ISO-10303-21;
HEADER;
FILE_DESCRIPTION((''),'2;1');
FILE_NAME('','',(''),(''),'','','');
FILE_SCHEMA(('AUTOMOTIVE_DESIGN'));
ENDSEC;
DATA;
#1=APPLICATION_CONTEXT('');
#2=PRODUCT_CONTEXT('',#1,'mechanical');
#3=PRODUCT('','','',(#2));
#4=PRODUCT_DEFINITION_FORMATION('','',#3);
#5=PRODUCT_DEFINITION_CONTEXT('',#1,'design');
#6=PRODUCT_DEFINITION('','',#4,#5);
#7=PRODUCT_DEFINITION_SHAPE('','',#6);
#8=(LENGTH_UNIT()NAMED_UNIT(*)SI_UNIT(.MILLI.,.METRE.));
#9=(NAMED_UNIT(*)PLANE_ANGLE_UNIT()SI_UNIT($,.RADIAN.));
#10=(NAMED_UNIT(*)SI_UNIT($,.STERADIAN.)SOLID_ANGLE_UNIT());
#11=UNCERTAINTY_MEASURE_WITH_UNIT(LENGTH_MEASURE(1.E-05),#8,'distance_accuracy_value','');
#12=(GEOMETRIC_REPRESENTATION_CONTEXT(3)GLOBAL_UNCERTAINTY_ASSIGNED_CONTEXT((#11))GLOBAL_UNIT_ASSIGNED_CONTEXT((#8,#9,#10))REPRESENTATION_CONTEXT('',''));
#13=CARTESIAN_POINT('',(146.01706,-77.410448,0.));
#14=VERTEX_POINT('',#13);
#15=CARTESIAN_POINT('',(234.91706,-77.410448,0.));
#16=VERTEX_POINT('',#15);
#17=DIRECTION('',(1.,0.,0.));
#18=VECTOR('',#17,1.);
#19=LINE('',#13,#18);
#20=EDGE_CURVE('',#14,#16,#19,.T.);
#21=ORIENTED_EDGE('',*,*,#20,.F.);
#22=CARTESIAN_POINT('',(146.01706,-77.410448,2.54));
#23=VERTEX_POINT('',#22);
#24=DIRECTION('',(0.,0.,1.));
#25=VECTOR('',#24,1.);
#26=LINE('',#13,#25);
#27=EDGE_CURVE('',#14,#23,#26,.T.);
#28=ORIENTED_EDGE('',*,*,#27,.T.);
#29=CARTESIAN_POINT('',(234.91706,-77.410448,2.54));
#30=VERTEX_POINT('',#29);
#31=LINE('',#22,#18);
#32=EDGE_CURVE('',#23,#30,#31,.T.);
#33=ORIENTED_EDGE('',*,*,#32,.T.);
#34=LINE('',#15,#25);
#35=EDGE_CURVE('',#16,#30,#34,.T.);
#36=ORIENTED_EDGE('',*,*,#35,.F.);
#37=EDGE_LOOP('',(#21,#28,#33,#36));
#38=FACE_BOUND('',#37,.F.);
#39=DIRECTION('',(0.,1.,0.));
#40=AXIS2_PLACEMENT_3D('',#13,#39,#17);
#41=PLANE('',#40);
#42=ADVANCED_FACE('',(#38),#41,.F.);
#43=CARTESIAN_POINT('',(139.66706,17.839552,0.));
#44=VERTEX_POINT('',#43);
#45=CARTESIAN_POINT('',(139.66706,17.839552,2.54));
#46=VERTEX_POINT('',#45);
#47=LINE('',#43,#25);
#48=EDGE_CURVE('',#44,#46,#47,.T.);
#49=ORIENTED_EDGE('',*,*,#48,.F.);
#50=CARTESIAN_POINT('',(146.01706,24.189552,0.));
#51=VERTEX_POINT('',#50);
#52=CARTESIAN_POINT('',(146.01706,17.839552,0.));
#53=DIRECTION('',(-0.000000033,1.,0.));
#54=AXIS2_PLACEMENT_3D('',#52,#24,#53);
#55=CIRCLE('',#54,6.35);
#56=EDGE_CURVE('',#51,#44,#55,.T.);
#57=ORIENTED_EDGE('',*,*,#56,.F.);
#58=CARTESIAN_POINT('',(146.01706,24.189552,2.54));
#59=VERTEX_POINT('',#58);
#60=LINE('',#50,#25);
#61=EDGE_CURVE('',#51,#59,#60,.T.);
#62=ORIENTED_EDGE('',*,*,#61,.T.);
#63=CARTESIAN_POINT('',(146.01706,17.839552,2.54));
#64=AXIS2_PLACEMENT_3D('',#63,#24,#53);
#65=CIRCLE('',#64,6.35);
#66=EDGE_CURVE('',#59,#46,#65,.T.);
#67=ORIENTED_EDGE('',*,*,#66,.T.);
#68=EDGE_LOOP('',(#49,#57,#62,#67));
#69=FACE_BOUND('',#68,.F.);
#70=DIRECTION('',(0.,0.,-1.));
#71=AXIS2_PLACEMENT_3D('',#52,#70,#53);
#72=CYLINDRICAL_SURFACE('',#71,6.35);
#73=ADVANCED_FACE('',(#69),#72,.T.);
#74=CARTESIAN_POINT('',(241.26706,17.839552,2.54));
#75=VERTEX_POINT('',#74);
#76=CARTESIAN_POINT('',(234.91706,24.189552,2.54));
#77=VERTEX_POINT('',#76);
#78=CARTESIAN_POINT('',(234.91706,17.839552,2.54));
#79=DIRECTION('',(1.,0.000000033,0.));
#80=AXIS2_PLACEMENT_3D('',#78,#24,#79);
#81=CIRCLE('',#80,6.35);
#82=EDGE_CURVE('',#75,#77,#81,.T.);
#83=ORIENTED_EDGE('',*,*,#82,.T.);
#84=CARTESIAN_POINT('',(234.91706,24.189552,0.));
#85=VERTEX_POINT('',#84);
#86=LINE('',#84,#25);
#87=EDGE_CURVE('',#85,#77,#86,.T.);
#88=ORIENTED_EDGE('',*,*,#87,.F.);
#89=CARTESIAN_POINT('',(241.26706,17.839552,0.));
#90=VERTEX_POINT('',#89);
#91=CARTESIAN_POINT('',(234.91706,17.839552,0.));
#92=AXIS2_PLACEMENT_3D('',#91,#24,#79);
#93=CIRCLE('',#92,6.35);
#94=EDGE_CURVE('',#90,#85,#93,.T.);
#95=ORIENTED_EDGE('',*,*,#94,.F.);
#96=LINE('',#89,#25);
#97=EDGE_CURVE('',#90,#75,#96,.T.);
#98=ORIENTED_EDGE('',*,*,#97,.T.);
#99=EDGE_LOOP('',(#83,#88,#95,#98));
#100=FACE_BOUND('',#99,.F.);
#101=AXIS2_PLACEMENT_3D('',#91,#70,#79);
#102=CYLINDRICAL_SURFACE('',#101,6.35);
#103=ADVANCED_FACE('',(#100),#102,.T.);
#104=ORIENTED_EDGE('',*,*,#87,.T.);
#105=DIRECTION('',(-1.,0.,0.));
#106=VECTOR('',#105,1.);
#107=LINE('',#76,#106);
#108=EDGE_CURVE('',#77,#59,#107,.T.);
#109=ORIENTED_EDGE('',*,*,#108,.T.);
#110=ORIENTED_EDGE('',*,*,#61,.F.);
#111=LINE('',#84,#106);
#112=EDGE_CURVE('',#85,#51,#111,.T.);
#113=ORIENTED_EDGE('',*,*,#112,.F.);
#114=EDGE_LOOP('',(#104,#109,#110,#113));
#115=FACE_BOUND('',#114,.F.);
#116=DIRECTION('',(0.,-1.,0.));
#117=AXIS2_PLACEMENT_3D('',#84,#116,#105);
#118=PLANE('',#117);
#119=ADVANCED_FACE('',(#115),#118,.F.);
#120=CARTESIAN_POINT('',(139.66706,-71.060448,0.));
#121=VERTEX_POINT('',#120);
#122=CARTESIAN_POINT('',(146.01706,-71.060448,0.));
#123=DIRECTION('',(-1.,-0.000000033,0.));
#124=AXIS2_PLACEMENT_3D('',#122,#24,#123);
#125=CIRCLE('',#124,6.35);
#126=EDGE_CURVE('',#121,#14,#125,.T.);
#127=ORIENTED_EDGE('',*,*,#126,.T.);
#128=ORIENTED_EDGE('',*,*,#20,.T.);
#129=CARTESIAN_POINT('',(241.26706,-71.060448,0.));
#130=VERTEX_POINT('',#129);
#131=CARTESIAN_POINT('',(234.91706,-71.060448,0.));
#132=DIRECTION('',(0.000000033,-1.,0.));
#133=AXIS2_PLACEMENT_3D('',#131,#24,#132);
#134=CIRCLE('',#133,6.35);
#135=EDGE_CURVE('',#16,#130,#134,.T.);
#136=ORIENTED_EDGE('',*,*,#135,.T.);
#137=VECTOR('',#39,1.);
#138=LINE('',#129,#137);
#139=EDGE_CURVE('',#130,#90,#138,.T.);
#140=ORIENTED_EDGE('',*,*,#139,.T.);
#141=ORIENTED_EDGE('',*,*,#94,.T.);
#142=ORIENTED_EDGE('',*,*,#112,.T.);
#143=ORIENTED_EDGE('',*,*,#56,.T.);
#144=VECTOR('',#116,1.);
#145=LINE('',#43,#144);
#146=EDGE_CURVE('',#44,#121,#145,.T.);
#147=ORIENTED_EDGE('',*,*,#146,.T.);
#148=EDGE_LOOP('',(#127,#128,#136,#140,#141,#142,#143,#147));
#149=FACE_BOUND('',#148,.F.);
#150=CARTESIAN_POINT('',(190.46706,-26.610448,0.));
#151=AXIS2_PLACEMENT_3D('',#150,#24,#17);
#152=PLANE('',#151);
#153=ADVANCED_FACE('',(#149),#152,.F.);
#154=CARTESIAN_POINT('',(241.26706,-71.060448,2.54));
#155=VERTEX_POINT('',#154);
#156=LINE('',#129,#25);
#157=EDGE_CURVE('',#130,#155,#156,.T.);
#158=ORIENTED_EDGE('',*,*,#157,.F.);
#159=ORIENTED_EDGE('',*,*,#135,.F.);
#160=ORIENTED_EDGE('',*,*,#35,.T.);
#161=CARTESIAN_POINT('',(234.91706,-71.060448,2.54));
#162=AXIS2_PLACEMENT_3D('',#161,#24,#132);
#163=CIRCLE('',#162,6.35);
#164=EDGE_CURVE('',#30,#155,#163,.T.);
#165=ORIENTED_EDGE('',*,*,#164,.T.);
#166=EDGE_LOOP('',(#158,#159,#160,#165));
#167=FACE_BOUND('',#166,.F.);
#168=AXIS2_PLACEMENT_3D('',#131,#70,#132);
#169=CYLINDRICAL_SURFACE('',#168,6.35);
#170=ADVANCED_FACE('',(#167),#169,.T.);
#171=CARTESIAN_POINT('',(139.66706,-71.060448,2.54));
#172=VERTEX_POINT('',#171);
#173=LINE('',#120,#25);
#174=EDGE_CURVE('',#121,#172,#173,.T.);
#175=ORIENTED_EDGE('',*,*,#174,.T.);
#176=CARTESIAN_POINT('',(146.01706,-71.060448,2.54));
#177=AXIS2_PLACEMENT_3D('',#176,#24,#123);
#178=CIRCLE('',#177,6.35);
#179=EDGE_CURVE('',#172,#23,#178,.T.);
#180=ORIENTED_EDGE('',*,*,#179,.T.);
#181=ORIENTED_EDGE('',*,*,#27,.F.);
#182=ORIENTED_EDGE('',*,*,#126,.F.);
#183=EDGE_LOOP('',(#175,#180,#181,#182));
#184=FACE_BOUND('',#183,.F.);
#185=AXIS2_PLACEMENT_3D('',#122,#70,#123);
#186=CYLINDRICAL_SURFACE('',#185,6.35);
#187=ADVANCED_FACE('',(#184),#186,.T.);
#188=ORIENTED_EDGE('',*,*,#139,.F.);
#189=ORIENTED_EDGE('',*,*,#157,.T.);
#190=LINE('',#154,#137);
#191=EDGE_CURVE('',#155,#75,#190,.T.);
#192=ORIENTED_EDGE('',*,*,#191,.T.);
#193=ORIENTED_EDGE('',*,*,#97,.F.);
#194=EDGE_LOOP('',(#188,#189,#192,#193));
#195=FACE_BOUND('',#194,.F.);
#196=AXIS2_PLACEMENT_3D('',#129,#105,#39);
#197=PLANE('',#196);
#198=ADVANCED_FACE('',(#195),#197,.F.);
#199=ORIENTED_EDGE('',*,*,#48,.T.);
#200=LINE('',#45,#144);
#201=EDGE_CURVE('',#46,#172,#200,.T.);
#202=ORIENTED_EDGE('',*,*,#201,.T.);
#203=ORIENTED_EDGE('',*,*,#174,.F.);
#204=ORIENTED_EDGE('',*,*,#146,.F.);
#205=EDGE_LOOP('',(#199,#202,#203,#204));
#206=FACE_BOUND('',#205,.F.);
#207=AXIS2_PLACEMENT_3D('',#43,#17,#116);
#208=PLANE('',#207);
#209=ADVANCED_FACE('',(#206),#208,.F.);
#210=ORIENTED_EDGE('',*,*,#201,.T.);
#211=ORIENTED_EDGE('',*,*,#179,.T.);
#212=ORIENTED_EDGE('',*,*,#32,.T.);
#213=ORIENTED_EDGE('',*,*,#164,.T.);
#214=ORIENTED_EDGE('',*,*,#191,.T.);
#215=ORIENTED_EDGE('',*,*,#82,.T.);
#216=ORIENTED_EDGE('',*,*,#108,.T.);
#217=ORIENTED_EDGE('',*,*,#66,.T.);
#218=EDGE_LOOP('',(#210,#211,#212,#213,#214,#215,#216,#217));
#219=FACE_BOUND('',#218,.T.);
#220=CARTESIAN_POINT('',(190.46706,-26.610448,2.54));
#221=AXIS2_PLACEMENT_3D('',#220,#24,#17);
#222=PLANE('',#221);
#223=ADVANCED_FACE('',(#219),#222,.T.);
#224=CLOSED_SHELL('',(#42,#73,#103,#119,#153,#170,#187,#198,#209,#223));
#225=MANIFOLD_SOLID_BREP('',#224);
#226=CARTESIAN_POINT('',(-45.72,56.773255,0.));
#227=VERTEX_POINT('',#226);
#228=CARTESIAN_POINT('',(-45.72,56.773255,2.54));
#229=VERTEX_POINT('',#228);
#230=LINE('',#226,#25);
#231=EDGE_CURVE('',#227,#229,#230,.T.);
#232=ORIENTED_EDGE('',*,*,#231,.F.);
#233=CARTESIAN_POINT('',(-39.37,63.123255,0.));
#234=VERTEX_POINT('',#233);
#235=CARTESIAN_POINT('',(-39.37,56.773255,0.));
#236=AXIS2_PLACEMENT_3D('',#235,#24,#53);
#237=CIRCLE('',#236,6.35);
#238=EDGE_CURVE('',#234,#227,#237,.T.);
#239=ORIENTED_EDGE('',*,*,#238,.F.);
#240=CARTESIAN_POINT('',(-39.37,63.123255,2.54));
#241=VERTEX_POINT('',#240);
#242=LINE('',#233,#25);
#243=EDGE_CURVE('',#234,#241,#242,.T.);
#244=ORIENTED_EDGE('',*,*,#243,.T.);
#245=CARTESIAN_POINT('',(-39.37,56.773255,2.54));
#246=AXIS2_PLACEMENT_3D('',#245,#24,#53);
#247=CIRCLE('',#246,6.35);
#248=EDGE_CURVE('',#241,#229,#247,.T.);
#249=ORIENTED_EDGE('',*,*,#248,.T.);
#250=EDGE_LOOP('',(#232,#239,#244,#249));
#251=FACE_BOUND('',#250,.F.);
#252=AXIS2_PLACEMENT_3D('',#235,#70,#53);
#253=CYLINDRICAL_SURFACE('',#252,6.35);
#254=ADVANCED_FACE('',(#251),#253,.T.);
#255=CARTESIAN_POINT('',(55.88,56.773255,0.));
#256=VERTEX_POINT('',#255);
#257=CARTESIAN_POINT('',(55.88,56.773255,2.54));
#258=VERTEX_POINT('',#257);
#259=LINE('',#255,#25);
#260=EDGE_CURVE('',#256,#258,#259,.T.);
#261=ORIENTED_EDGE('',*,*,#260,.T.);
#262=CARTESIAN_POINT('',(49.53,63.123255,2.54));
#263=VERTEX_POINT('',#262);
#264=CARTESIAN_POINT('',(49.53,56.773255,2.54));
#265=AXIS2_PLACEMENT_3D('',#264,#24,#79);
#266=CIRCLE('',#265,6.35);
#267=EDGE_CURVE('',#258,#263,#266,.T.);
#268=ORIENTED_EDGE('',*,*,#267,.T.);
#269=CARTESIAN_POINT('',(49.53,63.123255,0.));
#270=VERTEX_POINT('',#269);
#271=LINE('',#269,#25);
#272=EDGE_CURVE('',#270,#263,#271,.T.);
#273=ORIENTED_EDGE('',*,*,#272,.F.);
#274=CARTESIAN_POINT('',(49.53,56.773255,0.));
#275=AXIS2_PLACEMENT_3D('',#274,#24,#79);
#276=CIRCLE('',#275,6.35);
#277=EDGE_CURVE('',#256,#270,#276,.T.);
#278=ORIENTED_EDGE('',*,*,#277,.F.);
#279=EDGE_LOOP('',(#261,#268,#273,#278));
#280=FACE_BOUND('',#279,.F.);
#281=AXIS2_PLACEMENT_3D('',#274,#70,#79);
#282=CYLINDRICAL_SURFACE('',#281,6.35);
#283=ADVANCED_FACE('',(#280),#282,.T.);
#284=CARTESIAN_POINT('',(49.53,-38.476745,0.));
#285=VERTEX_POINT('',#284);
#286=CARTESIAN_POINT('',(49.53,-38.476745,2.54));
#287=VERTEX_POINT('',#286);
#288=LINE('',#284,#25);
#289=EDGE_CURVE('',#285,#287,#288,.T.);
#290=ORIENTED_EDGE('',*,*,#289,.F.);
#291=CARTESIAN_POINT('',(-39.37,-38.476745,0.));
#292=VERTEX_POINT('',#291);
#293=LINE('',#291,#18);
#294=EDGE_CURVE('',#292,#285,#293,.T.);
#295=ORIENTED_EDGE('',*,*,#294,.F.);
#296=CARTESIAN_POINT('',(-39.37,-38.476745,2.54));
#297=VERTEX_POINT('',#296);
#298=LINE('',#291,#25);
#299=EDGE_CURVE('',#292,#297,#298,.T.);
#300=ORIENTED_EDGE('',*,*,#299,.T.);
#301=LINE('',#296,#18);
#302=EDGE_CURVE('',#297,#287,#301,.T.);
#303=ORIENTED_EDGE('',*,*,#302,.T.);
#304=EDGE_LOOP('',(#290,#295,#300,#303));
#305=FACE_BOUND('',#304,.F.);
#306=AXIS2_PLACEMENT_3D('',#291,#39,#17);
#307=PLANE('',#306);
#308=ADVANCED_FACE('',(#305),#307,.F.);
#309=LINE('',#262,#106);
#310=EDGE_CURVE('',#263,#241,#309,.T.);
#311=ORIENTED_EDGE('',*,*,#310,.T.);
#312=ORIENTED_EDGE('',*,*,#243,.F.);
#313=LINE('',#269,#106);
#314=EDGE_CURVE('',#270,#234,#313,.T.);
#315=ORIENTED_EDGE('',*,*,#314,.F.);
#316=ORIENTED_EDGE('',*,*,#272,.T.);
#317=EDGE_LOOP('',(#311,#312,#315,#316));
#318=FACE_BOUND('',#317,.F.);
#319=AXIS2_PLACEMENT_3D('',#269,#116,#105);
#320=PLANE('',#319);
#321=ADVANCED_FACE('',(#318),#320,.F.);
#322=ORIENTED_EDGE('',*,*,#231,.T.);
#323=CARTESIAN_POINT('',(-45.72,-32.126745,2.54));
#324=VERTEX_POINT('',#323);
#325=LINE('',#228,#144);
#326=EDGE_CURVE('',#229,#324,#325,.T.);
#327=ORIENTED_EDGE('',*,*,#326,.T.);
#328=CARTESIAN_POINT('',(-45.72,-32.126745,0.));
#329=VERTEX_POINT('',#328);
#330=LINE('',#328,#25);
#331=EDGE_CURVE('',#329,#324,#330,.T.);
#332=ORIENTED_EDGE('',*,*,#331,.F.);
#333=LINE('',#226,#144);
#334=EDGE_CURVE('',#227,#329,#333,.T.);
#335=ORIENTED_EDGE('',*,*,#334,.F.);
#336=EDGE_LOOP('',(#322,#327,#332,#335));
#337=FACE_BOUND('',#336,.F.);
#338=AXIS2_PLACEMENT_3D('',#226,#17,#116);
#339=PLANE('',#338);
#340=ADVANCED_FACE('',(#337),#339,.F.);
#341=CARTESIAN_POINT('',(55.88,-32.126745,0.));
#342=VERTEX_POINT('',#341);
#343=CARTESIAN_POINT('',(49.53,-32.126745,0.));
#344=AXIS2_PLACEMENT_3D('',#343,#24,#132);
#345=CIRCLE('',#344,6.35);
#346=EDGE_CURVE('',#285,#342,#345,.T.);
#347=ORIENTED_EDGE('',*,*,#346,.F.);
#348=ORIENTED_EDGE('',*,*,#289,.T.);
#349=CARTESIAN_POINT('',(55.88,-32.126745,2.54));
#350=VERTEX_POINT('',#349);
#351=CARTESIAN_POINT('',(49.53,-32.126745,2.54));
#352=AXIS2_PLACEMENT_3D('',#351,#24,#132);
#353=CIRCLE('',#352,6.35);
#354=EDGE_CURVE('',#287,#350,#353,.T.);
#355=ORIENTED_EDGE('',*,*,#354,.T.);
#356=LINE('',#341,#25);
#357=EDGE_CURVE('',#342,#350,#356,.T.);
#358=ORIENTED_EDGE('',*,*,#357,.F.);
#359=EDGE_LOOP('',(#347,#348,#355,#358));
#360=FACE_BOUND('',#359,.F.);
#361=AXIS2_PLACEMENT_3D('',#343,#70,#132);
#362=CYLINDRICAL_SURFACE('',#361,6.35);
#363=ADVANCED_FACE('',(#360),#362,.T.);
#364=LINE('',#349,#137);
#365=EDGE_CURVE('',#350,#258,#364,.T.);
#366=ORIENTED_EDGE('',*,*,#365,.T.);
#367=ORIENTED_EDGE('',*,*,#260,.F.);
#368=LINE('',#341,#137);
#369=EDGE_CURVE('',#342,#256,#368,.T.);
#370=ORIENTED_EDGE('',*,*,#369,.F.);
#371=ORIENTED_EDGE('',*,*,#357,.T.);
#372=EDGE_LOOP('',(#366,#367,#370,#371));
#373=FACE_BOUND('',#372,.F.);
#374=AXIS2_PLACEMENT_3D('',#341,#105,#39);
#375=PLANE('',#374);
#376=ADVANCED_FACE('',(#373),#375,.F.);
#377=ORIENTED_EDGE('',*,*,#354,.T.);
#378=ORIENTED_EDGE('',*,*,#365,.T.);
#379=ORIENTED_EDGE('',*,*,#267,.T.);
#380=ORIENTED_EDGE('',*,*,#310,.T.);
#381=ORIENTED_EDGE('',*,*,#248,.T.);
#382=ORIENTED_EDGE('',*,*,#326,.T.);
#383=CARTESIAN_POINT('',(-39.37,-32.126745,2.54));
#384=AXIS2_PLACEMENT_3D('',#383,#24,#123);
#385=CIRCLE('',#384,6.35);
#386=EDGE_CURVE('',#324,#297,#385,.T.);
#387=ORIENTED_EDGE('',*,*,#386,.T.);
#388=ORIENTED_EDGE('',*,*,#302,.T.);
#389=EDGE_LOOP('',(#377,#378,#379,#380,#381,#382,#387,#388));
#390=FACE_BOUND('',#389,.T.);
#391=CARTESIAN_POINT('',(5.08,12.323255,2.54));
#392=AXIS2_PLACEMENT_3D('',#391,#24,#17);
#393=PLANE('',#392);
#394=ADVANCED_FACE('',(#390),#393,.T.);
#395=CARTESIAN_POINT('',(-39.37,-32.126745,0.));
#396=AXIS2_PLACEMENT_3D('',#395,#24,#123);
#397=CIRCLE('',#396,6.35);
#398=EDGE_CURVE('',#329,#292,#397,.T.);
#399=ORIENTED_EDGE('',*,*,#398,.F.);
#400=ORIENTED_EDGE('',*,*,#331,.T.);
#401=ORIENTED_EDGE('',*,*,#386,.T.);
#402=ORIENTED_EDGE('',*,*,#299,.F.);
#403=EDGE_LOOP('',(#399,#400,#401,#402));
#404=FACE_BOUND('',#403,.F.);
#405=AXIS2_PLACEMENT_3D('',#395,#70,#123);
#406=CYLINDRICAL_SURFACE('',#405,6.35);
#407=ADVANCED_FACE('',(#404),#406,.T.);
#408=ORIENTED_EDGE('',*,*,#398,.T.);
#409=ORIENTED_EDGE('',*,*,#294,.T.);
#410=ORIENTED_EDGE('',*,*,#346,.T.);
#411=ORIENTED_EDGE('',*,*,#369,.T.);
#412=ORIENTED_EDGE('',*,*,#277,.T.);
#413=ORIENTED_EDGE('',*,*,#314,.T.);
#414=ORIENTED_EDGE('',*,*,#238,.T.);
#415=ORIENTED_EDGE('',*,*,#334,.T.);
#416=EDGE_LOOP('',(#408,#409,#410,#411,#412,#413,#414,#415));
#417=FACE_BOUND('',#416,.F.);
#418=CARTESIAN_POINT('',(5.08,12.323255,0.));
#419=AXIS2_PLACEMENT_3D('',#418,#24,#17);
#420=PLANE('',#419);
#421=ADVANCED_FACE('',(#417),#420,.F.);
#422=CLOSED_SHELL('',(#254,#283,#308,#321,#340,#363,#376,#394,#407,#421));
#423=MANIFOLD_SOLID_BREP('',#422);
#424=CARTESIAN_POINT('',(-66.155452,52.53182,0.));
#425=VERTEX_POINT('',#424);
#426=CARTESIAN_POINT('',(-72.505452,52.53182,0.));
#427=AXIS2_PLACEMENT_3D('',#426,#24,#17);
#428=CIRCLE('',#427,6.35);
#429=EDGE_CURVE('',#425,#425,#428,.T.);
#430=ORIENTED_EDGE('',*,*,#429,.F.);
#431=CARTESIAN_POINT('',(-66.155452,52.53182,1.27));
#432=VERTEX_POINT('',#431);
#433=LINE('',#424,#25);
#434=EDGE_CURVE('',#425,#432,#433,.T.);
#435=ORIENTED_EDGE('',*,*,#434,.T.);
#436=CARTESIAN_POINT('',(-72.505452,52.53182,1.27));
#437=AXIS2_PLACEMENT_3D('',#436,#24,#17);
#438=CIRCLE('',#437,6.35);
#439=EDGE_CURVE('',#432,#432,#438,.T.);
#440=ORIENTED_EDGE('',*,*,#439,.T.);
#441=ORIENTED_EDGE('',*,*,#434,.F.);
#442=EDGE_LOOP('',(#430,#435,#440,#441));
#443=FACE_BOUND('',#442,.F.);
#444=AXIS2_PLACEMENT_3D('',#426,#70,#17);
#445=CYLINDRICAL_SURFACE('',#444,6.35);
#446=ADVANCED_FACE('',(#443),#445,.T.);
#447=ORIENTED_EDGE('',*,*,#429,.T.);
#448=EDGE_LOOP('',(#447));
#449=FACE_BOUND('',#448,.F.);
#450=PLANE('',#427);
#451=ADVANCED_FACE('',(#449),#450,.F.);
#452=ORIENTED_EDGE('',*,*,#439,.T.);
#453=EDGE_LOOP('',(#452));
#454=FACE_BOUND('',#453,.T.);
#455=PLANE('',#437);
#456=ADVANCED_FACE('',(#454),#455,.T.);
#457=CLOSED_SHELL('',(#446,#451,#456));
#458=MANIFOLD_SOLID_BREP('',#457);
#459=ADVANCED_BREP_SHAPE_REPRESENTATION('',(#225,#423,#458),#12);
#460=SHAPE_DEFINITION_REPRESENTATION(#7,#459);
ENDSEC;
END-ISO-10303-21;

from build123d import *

# Parameters (mm, degrees)
F1_DEPTH = 2.54
F2_R     = 6.35
F3_DEPTH = 1.27
F5_DEPTH = 2.54


with BuildPart() as f1:
    # F0 (on Top) → F1 (new body)
    with BuildSketch(Plane.XY):
        with BuildLine():
            ThreePointArc((-45.72, -32.126745), (-43.860128, -36.616873), (-39.37, -38.476745))
            Line((-39.37, -38.476745), (49.53, -38.476745))
            ThreePointArc((49.53, -38.476745), (54.020128, -36.616873), (55.88, -32.126745))
            Line((55.88, -32.126745), (55.88, 56.773255))
            ThreePointArc((55.88, 56.773255), (54.020128, 61.263383), (49.53, 63.123255))
            Line((49.53, 63.123255), (-39.37, 63.123255))
            ThreePointArc((-39.37, 63.123255), (-43.860128, 61.263383), (-45.72, 56.773255))
            Line((-45.72, 56.773255), (-45.72, -32.126745))
        make_face()
    extrude(amount=F1_DEPTH)


with BuildPart() as f3:
    # F2 (on Top) → F3 (new body)
    with BuildSketch(Plane.XY):
        with Locations((-72.505452, 52.53182)):
            Circle(F2_R)
    extrude(amount=F3_DEPTH)


with BuildPart() as f5:
    # F4 (on Top) → F5 (new body)
    with BuildSketch(Plane.XY):
        with BuildLine():
            Line((234.91706, 24.189552), (146.01706, 24.189552))
            ThreePointArc((146.01706, 24.189552), (141.526932, 22.32968), (139.66706, 17.839552))
            Line((139.66706, 17.839552), (139.66706, -71.060448))
            ThreePointArc((139.66706, -71.060448), (141.526932, -75.550576), (146.01706, -77.410448))
            Line((146.01706, -77.410448), (234.91706, -77.410448))
            ThreePointArc((234.91706, -77.410448), (239.407188, -75.550576), (241.26706, -71.060448))
            Line((241.26706, -71.060448), (241.26706, 17.839552))
            ThreePointArc((241.26706, 17.839552), (239.407188, 22.32968), (234.91706, 24.189552))
        make_face()
    extrude(amount=F5_DEPTH)


solid = Compound([f1.part, f3.part, f5.part])
